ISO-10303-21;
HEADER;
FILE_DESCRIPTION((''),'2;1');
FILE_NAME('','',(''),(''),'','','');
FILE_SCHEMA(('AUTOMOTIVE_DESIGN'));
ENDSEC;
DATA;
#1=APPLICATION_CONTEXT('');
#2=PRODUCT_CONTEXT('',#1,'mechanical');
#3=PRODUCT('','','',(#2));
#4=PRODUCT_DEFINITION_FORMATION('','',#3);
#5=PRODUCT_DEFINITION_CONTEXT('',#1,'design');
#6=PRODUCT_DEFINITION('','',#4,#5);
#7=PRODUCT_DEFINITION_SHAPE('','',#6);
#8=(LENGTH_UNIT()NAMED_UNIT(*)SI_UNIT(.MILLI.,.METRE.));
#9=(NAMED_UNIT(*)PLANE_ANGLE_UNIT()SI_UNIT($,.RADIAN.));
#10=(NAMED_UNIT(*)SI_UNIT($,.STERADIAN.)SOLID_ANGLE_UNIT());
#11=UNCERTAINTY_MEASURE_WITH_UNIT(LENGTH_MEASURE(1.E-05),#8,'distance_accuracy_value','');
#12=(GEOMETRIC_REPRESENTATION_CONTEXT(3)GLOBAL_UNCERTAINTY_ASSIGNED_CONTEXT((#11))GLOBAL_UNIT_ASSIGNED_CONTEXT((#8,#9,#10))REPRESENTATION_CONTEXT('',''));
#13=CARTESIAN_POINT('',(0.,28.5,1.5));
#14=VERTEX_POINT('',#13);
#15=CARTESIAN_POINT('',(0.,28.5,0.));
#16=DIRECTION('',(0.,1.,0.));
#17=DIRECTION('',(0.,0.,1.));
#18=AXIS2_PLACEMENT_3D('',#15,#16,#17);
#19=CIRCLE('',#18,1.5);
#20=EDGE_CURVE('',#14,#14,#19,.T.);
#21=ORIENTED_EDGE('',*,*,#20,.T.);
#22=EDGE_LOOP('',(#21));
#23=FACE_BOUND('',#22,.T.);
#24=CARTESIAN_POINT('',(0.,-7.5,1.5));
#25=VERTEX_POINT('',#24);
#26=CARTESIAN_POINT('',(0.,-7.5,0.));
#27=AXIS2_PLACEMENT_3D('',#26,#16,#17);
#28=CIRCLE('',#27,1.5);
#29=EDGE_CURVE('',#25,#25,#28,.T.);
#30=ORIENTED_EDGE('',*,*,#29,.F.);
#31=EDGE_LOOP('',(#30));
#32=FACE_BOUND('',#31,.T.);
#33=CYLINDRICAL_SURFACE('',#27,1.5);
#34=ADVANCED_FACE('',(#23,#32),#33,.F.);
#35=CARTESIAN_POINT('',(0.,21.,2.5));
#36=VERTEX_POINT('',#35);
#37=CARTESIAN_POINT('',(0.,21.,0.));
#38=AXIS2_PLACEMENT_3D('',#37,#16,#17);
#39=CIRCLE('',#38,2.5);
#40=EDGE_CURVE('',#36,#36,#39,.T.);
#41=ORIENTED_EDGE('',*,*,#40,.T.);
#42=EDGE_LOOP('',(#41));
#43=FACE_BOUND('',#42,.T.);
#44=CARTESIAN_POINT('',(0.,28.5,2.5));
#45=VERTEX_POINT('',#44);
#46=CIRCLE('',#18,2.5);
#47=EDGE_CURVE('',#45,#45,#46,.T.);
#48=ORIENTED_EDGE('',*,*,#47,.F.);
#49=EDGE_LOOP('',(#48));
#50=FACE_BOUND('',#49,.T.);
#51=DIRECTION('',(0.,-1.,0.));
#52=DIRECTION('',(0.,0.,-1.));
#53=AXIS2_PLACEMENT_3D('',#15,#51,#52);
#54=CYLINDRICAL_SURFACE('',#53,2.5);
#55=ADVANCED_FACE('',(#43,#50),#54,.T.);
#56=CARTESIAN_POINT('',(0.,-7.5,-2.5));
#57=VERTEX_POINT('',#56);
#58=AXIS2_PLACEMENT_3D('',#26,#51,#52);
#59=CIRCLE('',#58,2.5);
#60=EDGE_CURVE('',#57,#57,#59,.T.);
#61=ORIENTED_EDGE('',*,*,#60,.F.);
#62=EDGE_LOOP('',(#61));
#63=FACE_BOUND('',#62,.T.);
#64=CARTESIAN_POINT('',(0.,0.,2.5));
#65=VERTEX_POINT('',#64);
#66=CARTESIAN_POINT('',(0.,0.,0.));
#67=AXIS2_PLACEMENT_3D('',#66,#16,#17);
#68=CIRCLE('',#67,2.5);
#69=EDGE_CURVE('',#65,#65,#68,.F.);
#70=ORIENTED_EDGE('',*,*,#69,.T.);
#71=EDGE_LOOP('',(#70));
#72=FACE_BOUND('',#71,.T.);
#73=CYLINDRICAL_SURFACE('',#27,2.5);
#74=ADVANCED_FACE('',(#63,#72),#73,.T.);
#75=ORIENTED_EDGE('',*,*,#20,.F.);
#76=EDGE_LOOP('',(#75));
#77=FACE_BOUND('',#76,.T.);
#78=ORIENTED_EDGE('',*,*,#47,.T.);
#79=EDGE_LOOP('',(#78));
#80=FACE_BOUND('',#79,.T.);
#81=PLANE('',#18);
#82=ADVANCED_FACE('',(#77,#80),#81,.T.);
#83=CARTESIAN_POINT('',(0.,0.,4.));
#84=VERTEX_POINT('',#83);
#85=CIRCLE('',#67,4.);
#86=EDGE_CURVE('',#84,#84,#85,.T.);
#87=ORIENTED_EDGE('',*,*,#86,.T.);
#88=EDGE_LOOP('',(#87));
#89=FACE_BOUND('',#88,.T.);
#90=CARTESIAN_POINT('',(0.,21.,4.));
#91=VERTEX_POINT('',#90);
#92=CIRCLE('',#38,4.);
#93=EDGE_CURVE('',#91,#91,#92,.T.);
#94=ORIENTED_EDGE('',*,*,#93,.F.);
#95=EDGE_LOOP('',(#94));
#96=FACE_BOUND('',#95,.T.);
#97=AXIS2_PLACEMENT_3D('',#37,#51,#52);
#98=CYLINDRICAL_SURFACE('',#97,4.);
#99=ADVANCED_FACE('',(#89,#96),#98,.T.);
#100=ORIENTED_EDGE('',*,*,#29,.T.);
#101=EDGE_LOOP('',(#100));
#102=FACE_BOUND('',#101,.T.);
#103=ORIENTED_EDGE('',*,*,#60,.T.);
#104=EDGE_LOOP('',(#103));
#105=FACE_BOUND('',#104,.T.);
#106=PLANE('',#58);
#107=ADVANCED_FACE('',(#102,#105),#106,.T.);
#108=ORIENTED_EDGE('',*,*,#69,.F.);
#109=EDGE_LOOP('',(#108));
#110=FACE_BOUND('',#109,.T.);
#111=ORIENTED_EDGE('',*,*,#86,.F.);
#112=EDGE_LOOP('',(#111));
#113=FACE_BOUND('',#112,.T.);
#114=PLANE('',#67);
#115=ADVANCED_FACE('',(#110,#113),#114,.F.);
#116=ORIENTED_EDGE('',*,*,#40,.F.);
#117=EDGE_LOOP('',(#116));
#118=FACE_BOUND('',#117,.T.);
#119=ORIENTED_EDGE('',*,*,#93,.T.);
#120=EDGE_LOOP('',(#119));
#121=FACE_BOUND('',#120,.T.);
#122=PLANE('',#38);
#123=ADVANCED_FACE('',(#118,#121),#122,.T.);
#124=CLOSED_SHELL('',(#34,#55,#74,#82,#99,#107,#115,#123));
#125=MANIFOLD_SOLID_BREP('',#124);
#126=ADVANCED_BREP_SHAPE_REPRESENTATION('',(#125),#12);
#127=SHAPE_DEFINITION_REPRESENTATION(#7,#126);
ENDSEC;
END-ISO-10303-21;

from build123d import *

# Parameters (mm, degrees)
SKETCH1_R           = 4
SKETCH1_R_2         = 1.25
BOSS_EXTRUDE1_DEPTH = 21
SKETCH2_R           = 2.5
BOSS_EXTRUDE2_DEPTH = 7.5
SKETCH3_R           = 2.5
BOSS_EXTRUDE3_DEPTH = 7.5
SKETCH4_R           = 1.5
CUT_EXTRUDE1_DEPTH  = 37


with BuildPart() as part:
    # Sketch1 → Boss-Extrude1 (new body)
    with BuildSketch(Plane(origin=(0, 0, 0), x_dir=(1, 0, 0), z_dir=(0, 1, 0))):
        Circle(SKETCH1_R)
        Circle(SKETCH1_R_2, mode=Mode.SUBTRACT)
    extrude(amount=BOSS_EXTRUDE1_DEPTH)

    # Sketch2 → Boss-Extrude2 (add)
    with BuildSketch(Plane.XZ):
        Circle(SKETCH2_R)
    extrude(amount=BOSS_EXTRUDE2_DEPTH)

    # Sketch3 → Boss-Extrude3 (add)
    with BuildSketch(Plane(origin=(0, 21, 0), x_dir=(1, 0, 0), z_dir=(0, 1, 0))):
        Circle(SKETCH3_R)
    extrude(amount=BOSS_EXTRUDE3_DEPTH)

    # Sketch4 → Cut-Extrude1 (cut, through all)
    with BuildSketch(Plane(origin=(0, 28.5, 0), x_dir=(1, 0, 0), z_dir=(0, 1, 0))):
        Circle(SKETCH4_R)
    extrude(amount=-CUT_EXTRUDE1_DEPTH, mode=Mode.SUBTRACT)


solid = part.part
